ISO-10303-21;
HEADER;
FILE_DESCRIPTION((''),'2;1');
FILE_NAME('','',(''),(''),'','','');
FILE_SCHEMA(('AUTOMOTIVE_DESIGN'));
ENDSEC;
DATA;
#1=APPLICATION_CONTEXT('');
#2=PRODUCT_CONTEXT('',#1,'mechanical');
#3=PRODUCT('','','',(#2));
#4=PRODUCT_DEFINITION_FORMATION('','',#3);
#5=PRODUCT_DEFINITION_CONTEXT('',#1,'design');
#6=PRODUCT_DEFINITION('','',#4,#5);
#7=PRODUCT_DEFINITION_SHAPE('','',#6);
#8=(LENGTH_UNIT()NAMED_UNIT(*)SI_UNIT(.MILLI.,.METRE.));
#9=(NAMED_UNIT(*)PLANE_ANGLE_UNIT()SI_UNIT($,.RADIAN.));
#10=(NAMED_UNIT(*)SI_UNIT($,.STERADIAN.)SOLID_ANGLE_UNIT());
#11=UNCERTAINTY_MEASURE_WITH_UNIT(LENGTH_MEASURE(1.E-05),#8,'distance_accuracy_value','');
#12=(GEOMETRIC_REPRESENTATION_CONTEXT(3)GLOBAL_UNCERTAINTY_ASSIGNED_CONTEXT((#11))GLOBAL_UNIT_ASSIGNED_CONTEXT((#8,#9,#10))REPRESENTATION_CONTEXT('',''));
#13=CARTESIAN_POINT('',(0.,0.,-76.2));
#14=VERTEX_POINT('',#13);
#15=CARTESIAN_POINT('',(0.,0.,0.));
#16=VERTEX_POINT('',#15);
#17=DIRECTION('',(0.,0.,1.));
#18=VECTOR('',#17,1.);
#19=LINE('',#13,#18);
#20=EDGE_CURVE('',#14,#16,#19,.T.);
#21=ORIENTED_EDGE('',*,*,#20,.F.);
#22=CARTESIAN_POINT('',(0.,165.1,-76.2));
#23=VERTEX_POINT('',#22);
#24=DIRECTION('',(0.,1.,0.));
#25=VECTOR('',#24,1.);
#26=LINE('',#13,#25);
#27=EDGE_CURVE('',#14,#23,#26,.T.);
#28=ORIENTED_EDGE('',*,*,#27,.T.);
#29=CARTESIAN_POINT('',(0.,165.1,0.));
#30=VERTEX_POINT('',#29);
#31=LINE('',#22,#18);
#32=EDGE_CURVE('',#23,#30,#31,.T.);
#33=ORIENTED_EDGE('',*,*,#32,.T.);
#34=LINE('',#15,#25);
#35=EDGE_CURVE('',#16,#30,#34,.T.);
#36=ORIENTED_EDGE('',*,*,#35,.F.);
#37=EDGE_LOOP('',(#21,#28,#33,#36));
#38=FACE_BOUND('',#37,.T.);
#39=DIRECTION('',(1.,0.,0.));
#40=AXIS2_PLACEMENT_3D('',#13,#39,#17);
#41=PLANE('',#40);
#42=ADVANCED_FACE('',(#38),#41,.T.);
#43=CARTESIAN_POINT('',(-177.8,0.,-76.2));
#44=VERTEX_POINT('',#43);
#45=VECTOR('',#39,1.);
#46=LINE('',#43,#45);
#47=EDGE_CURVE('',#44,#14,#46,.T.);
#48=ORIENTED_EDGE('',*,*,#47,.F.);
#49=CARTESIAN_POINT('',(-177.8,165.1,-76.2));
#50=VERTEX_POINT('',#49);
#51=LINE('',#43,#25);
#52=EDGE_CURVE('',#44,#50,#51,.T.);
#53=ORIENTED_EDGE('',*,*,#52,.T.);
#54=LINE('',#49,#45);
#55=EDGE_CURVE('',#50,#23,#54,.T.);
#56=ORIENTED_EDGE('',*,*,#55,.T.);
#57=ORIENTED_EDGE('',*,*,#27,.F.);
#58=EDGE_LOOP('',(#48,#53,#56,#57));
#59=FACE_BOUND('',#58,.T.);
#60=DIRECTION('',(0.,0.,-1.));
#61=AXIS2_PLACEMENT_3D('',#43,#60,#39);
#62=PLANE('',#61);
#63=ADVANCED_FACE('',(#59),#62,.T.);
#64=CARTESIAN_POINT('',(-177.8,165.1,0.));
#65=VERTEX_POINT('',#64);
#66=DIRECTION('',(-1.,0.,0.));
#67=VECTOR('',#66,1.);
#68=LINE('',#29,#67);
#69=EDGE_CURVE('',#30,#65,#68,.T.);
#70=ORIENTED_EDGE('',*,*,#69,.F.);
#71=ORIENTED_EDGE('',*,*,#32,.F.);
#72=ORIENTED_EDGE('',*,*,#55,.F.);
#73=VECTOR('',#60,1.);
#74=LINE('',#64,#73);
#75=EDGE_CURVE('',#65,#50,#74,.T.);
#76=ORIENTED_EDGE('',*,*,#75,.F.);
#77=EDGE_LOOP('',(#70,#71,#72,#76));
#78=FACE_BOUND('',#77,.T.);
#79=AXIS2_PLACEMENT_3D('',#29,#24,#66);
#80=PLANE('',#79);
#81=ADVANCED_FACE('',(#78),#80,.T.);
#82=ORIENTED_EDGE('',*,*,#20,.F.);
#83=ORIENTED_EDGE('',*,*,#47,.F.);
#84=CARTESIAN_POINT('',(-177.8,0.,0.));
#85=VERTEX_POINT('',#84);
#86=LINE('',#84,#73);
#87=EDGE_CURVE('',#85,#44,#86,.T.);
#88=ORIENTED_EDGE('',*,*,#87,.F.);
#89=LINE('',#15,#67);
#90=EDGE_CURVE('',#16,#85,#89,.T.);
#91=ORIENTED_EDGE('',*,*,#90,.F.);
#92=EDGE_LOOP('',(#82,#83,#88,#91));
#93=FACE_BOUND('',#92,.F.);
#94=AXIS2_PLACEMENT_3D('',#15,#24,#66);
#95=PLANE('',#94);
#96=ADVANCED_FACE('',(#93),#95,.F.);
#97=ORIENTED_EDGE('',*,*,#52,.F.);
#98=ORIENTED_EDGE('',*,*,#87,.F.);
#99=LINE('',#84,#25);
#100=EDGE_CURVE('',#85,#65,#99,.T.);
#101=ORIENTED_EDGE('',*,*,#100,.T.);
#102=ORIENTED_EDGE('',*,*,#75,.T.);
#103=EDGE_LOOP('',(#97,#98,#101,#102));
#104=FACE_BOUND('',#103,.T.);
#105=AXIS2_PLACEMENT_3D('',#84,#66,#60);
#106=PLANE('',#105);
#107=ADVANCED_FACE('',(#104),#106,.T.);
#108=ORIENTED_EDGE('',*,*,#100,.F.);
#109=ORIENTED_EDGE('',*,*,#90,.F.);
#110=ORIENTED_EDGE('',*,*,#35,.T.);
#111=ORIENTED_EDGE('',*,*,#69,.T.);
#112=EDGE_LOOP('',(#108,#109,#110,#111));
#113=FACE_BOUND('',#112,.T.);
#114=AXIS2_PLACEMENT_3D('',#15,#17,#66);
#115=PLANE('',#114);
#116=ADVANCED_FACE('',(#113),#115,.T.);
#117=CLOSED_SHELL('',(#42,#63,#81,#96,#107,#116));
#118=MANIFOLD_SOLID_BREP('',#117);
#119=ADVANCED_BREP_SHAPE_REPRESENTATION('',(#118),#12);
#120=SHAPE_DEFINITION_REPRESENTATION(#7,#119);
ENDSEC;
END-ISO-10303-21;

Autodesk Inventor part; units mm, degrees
ref_plane "YZ Plane" through (0, 0, 0) normal (1, 0, 0) x (0, 1, 0)
ref_plane "XZ Plane" through (0, 0, 0) normal (0, 1, 0) x (-1, 0, 0)
ref_plane "XY Plane" through (0, 0, 0) normal (0, 0, 1) x (1, 0, 0)
sketch "Sketch1" plane through (0, 0, 0) normal (0, 1, 0) x (-1, 0, 0)
  line L0 (0, 0) -> (177.8, 0)
  line L1 (177.8, 0) -> (177.8, -76.2)
  line L2 (177.8, -76.2) -> (0, -76.2)
  line L3 (0, -76.2) -> (0, 0)
  dimension "d0" = 177.8
  dimension "d1" = 76.2
extrude "Extrusion1" add sketch "Sketch1" along normal blind 165.1
properties part number "Battery"
